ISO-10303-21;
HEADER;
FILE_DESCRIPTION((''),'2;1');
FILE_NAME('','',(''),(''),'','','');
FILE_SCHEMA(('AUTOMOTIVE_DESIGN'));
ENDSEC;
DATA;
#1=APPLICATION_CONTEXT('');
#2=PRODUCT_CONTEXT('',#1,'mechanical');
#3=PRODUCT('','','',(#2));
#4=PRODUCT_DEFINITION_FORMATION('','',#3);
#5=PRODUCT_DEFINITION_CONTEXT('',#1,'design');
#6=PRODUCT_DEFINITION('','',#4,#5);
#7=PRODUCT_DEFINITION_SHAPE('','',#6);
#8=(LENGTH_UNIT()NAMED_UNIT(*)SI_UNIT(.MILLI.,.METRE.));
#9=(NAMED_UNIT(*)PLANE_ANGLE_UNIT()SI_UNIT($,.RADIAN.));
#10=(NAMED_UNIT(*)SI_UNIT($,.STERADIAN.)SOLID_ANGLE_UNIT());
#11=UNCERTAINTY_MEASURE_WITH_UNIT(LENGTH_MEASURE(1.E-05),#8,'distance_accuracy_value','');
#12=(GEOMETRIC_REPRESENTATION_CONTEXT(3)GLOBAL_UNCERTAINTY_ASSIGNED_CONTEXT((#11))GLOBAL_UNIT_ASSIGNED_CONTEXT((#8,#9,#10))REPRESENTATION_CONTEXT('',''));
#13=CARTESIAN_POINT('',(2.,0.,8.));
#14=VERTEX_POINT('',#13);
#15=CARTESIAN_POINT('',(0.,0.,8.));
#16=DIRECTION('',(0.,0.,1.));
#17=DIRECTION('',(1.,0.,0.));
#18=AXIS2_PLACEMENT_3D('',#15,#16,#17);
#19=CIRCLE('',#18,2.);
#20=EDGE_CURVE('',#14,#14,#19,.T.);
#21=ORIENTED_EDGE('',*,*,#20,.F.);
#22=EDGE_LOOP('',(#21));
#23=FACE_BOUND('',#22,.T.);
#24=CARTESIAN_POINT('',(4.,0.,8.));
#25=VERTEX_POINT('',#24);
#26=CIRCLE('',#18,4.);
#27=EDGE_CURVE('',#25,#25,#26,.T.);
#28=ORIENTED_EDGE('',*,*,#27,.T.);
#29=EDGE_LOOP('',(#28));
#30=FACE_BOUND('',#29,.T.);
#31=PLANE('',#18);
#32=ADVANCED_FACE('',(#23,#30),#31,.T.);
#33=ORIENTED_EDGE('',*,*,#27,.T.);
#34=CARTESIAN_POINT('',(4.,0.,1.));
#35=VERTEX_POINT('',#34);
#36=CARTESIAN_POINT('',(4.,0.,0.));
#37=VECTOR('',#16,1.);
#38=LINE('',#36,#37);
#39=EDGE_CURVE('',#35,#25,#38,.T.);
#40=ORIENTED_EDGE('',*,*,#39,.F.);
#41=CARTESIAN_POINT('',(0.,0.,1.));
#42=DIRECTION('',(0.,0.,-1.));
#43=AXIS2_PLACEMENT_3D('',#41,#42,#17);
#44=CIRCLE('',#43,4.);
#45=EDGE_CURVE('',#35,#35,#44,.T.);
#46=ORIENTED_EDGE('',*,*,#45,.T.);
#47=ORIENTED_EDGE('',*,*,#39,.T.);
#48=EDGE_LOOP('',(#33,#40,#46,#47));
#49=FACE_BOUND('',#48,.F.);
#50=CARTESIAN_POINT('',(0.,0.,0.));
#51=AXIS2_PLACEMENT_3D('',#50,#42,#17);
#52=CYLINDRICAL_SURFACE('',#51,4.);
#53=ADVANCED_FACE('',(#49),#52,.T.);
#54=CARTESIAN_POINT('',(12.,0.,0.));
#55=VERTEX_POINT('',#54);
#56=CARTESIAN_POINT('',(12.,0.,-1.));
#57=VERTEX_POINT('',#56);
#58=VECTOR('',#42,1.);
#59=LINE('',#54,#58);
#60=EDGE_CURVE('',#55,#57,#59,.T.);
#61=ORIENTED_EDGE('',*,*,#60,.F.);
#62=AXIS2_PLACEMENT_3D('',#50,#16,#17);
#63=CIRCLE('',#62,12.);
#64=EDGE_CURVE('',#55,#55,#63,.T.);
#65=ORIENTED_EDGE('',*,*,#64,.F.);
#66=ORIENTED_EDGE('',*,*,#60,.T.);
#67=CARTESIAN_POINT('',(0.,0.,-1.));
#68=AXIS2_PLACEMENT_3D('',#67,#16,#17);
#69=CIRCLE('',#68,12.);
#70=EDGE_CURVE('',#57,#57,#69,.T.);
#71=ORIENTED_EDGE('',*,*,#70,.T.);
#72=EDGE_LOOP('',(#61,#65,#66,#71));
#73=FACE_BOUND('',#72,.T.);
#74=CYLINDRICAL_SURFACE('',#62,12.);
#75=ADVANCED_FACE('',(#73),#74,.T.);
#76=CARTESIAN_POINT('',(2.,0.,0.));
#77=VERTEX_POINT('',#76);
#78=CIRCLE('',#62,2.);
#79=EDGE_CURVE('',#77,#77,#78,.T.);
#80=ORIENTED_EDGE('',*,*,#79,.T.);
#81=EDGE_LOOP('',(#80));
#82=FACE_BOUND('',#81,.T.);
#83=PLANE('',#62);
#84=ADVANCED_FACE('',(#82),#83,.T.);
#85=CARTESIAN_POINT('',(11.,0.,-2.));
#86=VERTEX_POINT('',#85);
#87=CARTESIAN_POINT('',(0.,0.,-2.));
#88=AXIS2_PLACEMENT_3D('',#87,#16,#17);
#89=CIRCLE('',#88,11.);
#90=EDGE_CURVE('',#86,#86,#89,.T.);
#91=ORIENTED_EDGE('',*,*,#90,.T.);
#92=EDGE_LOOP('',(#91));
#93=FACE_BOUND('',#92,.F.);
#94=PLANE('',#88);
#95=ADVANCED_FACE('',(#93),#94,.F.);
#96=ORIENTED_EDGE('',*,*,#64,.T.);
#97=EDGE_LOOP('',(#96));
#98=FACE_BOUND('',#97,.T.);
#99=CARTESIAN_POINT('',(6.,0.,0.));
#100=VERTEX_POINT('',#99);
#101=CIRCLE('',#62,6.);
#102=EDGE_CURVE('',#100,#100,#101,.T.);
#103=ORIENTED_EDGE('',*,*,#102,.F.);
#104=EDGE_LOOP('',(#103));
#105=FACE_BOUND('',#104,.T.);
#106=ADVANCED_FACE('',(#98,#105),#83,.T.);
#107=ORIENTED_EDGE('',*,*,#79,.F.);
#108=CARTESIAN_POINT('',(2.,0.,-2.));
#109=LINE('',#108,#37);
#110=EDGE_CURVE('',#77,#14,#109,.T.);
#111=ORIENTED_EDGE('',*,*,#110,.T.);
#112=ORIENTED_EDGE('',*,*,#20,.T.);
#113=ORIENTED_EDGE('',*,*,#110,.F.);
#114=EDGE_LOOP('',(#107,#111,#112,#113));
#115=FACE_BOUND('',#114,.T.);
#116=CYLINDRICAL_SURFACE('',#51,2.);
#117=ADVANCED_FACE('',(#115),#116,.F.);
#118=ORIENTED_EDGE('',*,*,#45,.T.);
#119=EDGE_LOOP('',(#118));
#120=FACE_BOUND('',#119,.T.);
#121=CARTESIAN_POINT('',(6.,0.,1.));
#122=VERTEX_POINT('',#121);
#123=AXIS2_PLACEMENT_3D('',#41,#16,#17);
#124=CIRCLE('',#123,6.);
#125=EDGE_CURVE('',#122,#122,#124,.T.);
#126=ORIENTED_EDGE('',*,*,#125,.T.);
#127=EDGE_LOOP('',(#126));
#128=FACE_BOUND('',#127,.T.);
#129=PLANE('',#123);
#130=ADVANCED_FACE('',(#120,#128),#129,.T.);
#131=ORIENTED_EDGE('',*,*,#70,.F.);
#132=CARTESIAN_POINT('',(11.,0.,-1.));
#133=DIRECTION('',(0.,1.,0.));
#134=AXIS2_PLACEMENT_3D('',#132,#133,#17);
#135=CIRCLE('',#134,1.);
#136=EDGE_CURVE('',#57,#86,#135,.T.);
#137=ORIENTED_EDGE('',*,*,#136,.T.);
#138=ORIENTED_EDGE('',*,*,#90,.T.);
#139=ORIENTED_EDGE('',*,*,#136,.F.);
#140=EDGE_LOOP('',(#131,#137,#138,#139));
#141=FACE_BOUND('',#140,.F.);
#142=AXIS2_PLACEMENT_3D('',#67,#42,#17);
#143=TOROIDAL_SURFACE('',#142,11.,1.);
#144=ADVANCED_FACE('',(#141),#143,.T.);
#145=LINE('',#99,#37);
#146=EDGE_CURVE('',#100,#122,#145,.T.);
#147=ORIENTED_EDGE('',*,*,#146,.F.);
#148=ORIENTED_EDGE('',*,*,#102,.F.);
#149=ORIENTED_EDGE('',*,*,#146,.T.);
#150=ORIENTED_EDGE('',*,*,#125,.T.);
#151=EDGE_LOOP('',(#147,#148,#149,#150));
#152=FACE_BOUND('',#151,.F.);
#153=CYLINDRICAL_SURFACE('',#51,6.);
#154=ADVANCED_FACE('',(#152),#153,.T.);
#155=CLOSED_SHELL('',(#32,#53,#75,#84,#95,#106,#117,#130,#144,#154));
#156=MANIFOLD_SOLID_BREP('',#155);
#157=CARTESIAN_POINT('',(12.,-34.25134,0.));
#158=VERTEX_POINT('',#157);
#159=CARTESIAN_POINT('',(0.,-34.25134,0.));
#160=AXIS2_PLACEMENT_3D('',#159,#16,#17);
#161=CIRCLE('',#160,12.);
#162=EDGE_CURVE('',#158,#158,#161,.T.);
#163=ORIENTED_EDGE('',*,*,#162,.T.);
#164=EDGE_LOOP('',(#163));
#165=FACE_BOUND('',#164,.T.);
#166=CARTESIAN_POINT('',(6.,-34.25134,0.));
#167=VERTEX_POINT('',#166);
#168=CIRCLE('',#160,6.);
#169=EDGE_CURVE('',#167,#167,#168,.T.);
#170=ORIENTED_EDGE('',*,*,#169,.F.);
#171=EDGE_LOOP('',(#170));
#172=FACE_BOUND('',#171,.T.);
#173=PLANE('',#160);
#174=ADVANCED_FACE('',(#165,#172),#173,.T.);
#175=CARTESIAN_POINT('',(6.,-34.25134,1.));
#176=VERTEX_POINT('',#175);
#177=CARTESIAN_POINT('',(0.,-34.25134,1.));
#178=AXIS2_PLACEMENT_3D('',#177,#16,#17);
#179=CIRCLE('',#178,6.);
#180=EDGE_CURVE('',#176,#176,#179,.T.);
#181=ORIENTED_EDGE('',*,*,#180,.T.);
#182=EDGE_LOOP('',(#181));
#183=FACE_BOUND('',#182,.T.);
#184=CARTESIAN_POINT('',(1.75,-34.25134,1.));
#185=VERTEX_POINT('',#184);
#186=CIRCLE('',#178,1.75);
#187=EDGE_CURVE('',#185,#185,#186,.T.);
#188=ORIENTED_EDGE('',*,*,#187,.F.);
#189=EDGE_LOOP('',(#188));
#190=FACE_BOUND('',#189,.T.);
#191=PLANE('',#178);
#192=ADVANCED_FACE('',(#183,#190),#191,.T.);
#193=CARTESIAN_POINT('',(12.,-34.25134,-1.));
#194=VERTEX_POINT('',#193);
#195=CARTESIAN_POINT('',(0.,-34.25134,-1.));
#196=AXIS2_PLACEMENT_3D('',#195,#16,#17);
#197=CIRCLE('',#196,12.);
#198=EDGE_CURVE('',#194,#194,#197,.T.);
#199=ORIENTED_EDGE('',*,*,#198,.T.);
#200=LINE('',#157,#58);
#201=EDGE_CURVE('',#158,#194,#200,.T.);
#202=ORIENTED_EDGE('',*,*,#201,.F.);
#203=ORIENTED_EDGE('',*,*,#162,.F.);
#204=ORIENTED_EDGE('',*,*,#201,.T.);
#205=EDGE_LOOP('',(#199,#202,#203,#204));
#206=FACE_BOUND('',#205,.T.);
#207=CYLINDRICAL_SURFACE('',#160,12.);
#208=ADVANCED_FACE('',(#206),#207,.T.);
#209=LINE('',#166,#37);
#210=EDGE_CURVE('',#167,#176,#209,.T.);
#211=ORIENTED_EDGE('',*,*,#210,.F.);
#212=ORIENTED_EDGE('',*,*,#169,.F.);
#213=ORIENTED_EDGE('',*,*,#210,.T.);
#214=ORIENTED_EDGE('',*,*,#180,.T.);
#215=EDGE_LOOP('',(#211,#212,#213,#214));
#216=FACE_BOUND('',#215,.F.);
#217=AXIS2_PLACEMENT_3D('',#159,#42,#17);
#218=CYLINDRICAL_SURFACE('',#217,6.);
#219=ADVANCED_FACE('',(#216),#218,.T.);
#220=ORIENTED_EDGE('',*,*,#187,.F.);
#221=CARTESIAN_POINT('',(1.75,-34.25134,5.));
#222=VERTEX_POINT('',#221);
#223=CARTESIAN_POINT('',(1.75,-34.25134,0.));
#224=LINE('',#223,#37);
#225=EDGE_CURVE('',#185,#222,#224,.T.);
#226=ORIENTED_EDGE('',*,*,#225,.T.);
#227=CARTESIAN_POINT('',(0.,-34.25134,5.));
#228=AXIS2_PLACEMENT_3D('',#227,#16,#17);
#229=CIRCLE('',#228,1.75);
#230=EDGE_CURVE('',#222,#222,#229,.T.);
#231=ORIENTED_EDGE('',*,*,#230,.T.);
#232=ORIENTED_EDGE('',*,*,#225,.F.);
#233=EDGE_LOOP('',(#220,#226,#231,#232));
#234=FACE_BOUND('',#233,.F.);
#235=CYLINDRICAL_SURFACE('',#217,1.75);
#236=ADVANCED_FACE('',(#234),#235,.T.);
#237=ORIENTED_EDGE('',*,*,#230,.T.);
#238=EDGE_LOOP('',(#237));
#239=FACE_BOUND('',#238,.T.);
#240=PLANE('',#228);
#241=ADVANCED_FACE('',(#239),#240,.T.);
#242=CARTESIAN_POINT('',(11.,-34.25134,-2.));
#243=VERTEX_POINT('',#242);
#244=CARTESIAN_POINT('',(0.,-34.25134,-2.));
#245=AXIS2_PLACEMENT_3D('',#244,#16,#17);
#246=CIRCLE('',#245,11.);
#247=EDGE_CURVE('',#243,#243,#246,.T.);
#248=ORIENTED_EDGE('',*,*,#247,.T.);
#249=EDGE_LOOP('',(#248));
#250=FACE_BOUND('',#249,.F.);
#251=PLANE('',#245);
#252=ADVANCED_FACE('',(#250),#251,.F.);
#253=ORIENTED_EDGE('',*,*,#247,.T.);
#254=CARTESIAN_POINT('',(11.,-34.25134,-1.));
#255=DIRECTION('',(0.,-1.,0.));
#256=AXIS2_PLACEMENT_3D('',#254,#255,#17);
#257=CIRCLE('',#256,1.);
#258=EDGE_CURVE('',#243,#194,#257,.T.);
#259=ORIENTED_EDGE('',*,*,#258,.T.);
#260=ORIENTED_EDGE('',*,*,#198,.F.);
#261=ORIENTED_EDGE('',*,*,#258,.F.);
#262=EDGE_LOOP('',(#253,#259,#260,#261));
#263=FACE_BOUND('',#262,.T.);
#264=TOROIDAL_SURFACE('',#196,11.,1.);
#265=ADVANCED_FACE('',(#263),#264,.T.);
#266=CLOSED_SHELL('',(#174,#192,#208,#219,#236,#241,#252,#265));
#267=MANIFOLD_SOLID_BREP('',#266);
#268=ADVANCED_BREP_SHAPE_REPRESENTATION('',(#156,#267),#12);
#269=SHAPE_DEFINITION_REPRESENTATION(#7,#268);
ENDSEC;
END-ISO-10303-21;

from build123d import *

# Parameters (mm, degrees)
F0_R          = 12
F0_R_2        = 6
F0_R_3        = 4
F0_R_4        = 2
F1_DEPTH      = 2
F2_DEPTH      = 1
F3_DEPTH      = 8
F4_R          = 1
F5_DEPTH      = 2
F0_R_5        = 1.75
F6_DEPTH      = 1
F6_DEPTH_BACK = 2
F7_DEPTH      = 5
F7_DEPTH_BACK = 2
F8_DEPTH      = 2
F9_R          = 1


with BuildPart() as f1:
    # F0 (on Top) → F1 (new body)
    with BuildSketch(Plane.XY):
        Circle(F0_R)
        Circle(F0_R_2, mode=Mode.SUBTRACT)
        Circle(F0_R_2)
        Circle(F0_R_3, mode=Mode.SUBTRACT)
        Circle(F0_R_3)
        Circle(F0_R_4, mode=Mode.SUBTRACT)
    extrude(amount=-F1_DEPTH)

    # F0 (on Top) → F2 (join)
    with BuildSketch(Plane.XY):
        Circle(F0_R_2)
        Circle(F0_R_3, mode=Mode.SUBTRACT)
        Circle(F0_R_3)
        Circle(F0_R_4, mode=Mode.SUBTRACT)
    extrude(amount=F2_DEPTH)

    # F0 (on Top) → F3 (join)
    with BuildSketch(Plane.XY):
        Circle(F0_R_3)
        Circle(F0_R_4, mode=Mode.SUBTRACT)
    extrude(amount=F3_DEPTH)

    # F4
    f4_edges = [f1.edges().sort_by_distance(p)[0] for p in [
        (-12, 0, -2),
    ]]
    fillet(f4_edges, radius=F4_R)

    # F0 (on Top) → F8 (join)
    with BuildSketch(Plane.XY):
        Circle(F0_R_4)
    extrude(amount=-F8_DEPTH)


with BuildPart() as f5:
    # F0 (on Top) → F5 (new body)
    with BuildSketch(Plane.XY):
        with Locations((0, -34.25134)):
            Circle(F0_R)
        with Locations((0, -34.25134)):
            Circle(F0_R_2, mode=Mode.SUBTRACT)
    extrude(amount=-F5_DEPTH)

    # F0 (on Top) → F6 (join, two sides)
    with BuildSketch(Plane.XY) as f6_sk:
        with Locations((0, -34.25134)):
            Circle(F0_R_2)
        with Locations((0, -34.25134)):
            Circle(F0_R_5, mode=Mode.SUBTRACT)
    extrude(amount=F6_DEPTH)
    extrude(f6_sk.sketch, amount=-F6_DEPTH_BACK)

    # F0 (on Top) → F7 (join, two sides)
    with BuildSketch(Plane.XY) as f7_sk:
        with Locations((0, -34.25134)):
            Circle(F0_R_5)
    extrude(amount=F7_DEPTH)
    extrude(f7_sk.sketch, amount=-F7_DEPTH_BACK)

    # F9
    f9_edges = [f5.edges().sort_by_distance(p)[0] for p in [
        (-12, -34.25134, -2),
    ]]
    fillet(f9_edges, radius=F9_R)


solid = Compound([f1.part, f5.part])
